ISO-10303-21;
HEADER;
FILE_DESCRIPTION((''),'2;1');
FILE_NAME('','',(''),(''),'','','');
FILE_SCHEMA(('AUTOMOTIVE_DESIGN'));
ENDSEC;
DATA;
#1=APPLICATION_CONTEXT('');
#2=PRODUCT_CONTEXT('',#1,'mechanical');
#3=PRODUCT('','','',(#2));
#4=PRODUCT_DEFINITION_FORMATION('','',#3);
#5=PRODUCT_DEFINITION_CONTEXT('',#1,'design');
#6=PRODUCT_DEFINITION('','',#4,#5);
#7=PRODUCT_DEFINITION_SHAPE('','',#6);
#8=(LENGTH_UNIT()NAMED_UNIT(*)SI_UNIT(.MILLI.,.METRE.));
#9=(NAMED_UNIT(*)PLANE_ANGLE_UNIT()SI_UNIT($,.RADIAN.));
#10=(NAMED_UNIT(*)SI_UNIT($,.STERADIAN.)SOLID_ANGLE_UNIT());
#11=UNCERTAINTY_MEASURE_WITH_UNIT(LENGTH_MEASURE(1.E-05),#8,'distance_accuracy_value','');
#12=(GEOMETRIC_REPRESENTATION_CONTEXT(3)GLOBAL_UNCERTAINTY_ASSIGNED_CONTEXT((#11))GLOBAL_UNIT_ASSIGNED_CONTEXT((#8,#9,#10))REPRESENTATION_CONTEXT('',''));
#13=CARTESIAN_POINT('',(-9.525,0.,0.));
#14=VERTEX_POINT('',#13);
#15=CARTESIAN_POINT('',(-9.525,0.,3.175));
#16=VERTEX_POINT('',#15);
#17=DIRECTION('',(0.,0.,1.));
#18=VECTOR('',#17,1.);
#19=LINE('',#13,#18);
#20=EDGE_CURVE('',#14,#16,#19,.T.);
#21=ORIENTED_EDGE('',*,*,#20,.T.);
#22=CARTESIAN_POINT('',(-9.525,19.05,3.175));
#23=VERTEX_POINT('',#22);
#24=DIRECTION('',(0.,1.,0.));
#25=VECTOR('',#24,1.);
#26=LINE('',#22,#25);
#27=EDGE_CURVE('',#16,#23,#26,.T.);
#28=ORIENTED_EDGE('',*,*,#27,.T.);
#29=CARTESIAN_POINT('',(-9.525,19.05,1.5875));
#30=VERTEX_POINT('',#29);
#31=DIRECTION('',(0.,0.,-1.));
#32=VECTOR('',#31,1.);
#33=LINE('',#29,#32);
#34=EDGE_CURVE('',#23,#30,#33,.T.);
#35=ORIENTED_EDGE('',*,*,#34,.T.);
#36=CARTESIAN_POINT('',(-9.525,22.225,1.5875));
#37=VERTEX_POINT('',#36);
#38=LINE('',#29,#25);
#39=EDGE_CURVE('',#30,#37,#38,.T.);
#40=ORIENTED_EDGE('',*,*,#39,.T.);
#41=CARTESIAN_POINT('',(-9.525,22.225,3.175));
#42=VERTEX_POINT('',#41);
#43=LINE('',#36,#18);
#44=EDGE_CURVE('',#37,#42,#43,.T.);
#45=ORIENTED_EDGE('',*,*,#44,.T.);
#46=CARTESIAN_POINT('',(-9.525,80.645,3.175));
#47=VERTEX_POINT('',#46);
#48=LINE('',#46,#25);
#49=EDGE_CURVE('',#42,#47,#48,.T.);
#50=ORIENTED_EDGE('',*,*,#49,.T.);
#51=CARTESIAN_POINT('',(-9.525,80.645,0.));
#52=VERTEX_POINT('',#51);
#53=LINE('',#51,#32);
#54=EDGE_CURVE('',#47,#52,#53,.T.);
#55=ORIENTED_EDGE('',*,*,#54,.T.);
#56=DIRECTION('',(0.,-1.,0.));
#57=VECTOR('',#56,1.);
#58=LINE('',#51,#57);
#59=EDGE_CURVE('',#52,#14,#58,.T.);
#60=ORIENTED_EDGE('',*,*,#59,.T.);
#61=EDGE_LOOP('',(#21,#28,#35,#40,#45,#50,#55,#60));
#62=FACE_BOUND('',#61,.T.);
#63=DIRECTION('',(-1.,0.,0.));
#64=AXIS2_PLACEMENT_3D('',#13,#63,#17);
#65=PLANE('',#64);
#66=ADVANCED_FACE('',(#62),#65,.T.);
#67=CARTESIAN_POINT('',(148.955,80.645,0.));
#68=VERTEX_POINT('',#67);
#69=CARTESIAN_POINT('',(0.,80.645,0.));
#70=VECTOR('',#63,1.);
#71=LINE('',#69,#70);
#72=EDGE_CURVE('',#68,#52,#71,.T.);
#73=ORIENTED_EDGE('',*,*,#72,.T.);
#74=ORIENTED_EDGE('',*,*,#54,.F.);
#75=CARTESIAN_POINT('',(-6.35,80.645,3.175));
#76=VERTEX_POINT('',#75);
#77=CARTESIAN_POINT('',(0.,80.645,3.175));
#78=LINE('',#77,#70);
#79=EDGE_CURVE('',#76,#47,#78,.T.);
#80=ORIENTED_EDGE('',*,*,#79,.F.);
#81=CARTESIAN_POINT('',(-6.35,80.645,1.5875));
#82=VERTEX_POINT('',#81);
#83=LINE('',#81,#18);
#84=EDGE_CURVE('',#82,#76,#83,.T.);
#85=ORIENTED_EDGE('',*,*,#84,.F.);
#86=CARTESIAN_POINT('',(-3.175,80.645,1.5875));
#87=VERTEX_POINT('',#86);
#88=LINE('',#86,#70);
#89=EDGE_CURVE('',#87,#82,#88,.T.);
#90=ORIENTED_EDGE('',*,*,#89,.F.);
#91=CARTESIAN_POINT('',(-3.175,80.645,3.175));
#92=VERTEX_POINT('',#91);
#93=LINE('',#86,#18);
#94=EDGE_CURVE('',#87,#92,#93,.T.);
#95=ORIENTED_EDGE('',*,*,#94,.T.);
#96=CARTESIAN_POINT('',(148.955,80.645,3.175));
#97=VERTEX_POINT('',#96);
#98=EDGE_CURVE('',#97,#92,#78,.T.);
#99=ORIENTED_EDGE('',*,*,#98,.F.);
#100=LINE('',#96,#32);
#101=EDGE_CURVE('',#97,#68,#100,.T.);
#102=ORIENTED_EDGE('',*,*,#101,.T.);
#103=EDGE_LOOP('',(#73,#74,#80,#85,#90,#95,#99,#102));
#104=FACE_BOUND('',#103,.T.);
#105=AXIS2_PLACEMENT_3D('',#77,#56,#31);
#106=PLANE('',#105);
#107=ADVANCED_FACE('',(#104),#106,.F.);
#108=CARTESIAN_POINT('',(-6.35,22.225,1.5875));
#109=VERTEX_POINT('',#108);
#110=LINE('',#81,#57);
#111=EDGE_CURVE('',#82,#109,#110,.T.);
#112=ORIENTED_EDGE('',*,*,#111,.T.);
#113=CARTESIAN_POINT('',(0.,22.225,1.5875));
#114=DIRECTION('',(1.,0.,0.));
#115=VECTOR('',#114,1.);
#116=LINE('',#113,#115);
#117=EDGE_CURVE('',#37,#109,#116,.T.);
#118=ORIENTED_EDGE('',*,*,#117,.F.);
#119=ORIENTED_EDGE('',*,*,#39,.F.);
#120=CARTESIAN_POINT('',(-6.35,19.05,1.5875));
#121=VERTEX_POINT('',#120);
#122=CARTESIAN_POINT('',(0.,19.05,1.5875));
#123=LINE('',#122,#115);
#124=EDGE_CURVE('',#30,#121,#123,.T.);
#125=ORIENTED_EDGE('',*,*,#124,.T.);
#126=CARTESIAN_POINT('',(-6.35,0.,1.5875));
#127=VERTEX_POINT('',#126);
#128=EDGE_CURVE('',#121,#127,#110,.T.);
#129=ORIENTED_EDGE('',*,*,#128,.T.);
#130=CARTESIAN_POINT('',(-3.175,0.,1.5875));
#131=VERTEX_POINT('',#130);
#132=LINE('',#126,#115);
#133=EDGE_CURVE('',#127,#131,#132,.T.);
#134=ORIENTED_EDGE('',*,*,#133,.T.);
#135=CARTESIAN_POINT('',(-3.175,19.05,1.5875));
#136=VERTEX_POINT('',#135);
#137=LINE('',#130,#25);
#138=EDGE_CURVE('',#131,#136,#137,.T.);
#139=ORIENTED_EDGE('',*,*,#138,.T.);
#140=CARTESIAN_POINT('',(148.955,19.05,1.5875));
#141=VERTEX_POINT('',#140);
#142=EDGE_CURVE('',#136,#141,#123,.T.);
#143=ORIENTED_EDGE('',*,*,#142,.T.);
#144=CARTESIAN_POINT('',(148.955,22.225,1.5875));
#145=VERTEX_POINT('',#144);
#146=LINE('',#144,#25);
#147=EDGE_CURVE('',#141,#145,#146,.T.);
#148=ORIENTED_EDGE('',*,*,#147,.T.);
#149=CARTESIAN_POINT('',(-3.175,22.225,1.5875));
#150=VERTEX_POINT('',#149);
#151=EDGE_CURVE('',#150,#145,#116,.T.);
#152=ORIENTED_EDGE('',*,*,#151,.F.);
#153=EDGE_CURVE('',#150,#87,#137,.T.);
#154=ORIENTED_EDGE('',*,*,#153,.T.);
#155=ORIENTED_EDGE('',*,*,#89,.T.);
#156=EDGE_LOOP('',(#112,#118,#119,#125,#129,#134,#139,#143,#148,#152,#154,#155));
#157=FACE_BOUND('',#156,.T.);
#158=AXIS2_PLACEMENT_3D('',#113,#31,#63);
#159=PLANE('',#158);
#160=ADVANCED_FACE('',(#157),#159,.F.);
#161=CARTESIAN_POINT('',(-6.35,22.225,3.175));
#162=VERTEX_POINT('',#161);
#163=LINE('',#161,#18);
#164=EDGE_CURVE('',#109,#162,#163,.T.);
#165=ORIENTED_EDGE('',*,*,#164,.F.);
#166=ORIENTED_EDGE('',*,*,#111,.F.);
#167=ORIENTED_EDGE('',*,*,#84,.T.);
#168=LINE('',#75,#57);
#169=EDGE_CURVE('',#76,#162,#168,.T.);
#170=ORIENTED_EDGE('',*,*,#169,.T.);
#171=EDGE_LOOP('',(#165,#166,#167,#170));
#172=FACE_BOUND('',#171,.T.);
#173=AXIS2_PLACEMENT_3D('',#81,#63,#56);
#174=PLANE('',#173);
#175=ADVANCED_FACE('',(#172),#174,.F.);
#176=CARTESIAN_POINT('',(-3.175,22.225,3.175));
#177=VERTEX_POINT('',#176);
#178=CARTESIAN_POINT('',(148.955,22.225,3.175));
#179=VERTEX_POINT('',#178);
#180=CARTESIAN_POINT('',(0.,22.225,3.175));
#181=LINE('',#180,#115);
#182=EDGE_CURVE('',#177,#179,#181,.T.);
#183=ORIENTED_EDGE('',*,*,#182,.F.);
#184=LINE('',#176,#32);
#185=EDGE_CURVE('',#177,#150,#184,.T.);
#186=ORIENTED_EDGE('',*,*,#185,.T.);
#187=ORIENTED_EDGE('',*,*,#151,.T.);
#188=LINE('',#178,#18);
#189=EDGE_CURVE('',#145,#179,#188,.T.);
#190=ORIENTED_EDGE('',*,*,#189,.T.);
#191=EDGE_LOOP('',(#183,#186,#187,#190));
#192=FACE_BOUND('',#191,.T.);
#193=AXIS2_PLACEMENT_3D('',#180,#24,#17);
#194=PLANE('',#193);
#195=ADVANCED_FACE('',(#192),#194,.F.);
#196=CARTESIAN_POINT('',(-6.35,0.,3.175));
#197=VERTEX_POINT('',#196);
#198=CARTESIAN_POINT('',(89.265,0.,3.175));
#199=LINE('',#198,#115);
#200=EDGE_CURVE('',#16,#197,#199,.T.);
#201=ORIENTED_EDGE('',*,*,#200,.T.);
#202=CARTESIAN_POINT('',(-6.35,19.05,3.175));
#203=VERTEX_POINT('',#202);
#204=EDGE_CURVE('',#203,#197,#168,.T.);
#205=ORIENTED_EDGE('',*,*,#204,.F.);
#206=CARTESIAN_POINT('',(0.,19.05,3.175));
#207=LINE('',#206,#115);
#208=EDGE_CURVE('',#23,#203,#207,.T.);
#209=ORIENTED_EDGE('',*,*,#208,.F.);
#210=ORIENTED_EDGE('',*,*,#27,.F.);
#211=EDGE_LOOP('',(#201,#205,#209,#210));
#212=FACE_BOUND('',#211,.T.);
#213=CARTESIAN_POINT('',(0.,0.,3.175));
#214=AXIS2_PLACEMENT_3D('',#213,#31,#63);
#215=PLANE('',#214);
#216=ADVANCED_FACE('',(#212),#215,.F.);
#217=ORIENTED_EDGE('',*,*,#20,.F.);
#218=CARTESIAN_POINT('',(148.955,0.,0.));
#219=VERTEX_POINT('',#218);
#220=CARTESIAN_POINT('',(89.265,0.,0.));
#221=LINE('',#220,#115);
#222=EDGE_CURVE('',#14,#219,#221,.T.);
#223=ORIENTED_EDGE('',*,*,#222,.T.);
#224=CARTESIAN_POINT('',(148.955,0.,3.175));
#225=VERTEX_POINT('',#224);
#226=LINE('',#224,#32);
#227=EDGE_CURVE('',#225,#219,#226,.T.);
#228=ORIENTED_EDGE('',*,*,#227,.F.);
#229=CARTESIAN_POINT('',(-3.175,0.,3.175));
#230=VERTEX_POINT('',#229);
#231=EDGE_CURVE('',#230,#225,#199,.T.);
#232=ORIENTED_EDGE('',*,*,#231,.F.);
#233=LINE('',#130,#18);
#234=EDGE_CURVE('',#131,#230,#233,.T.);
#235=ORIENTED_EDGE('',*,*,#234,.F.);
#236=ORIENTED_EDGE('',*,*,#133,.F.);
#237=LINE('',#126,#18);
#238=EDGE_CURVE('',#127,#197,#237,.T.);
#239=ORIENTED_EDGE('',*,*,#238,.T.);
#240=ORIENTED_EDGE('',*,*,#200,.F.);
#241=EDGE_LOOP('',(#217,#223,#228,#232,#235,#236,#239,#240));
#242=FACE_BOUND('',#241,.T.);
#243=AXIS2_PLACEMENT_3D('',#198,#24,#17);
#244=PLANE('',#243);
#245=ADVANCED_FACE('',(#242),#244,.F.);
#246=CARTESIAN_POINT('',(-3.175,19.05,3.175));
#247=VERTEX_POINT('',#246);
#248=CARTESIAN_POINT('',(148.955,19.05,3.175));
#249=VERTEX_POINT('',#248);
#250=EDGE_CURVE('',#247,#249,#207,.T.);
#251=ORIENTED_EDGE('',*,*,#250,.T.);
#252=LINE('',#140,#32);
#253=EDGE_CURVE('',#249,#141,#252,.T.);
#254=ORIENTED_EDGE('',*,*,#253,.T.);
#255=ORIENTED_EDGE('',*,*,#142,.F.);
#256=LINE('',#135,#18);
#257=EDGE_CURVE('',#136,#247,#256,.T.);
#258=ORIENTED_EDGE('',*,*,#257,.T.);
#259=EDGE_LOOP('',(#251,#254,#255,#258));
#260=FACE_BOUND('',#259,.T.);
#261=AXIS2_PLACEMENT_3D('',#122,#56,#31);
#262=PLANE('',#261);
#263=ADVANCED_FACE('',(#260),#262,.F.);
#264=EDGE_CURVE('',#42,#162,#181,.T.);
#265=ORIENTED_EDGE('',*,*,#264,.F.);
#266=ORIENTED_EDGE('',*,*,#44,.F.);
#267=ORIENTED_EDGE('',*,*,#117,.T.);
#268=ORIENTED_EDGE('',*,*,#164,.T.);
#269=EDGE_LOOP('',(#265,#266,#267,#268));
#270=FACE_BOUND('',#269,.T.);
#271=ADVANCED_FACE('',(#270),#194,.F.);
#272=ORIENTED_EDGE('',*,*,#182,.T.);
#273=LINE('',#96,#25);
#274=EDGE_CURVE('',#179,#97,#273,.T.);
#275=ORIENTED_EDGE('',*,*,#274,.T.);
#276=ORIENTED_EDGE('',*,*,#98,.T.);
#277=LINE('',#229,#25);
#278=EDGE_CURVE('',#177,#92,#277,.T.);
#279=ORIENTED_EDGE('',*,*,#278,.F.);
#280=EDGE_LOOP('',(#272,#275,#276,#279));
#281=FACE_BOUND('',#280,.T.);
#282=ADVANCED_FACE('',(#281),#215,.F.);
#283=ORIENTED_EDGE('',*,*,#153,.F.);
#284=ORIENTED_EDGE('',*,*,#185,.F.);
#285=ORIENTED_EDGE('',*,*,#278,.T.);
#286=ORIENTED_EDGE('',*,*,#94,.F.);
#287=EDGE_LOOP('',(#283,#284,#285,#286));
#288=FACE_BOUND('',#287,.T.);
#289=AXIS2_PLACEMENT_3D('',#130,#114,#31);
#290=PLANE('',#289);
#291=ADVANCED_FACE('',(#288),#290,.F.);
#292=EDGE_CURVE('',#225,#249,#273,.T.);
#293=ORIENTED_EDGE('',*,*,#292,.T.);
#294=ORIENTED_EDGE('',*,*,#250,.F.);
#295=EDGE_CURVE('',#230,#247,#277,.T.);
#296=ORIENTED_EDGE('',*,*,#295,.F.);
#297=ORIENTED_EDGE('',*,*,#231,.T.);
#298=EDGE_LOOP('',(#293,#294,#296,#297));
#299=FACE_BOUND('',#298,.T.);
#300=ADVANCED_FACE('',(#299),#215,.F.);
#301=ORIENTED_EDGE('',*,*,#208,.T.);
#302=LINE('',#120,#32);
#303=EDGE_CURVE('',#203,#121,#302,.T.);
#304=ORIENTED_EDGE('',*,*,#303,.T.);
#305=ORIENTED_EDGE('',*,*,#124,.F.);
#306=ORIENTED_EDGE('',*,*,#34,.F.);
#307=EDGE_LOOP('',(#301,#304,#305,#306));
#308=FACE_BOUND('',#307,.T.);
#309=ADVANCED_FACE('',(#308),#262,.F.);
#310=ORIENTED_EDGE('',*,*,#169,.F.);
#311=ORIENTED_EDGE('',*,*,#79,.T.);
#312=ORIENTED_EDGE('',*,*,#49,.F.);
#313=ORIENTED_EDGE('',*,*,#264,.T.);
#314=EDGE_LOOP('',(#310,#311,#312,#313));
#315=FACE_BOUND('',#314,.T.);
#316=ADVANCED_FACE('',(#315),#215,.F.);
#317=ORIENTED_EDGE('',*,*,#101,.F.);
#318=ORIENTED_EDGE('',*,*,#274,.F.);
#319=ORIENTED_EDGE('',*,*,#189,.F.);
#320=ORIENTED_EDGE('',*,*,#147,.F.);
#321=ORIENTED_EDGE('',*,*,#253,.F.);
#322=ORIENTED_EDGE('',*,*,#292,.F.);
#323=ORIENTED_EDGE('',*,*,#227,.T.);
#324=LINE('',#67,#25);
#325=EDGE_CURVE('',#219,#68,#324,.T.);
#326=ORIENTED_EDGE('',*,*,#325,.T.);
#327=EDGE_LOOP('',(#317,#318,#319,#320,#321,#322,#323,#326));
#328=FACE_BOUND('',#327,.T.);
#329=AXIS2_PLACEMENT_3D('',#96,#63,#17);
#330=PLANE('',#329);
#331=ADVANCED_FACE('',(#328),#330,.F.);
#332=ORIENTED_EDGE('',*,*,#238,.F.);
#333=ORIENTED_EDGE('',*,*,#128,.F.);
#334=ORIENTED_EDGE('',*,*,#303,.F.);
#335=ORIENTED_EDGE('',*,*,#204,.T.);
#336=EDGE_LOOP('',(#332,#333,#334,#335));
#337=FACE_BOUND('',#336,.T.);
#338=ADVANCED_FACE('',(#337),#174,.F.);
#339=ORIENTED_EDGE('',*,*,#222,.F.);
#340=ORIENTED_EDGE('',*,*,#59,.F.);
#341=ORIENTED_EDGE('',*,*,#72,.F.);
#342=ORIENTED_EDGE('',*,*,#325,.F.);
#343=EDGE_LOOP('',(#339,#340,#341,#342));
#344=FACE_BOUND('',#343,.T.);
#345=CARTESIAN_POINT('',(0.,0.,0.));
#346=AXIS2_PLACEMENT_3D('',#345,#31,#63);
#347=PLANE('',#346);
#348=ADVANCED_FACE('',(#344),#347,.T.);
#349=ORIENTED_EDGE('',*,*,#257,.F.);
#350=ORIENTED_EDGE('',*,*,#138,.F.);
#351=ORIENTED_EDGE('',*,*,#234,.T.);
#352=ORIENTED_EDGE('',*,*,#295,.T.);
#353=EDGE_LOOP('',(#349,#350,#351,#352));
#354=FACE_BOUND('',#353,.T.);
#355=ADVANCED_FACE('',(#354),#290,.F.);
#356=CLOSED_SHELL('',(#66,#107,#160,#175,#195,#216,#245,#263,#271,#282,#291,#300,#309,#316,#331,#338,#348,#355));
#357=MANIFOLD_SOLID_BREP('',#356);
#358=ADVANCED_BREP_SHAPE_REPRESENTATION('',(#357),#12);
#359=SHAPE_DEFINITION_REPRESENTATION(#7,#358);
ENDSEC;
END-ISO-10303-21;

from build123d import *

# Parameters (mm, degrees)
BOSS_EXTRUDE1_DEPTH = 3.175
SKETCH2_W           = 1.5875
SKETCH2_H           = 3.175
CUT_EXTRUDE1_DEPTH  = 170.414546822
BOSS_EXTRUDE2_DEPTH = 9.525
SKETCH5_W           = 3.175
SKETCH5_H           = 80.645
CUT_EXTRUDE2_DEPTH  = 1.5875


with BuildPart() as part:
    # Sketch1 → Boss-Extrude1 (new body)
    with BuildSketch(Plane.XY):
        Polygon((89.265, 0), (148.955, 0), (148.955, 80.645), (0, 80.645), (0, 0), align=None)
    extrude(amount=BOSS_EXTRUDE1_DEPTH)

    # Sketch2 → Cut-Extrude1 (cut, through all)
    with BuildSketch(Plane(origin=(148.955, 0, 0), x_dir=(0, 0, -1), z_dir=(1, 0, 0))):
        with Locations((-2.38125, 20.6375)):
            Rectangle(SKETCH2_W, SKETCH2_H)
    extrude(amount=-CUT_EXTRUDE1_DEPTH, mode=Mode.SUBTRACT)

    # Sketch4 → Boss-Extrude2 (add)
    with BuildSketch(Plane.ZY):
        Polygon((3.175, 19.05), (3.175, 0), (0, 0), (0, 80.645), (3.175, 80.645), (3.175, 22.225), (1.5875, 22.225), (1.5875, 19.05), align=None)
    extrude(amount=BOSS_EXTRUDE2_DEPTH)

    # Sketch5 → Cut-Extrude2 (cut)
    with BuildSketch(Plane.XY.offset(3.175)):
        with Locations((-4.7625, 40.3225)):
            Rectangle(SKETCH5_W, SKETCH5_H)
    extrude(amount=-CUT_EXTRUDE2_DEPTH, mode=Mode.SUBTRACT)


solid = part.part
